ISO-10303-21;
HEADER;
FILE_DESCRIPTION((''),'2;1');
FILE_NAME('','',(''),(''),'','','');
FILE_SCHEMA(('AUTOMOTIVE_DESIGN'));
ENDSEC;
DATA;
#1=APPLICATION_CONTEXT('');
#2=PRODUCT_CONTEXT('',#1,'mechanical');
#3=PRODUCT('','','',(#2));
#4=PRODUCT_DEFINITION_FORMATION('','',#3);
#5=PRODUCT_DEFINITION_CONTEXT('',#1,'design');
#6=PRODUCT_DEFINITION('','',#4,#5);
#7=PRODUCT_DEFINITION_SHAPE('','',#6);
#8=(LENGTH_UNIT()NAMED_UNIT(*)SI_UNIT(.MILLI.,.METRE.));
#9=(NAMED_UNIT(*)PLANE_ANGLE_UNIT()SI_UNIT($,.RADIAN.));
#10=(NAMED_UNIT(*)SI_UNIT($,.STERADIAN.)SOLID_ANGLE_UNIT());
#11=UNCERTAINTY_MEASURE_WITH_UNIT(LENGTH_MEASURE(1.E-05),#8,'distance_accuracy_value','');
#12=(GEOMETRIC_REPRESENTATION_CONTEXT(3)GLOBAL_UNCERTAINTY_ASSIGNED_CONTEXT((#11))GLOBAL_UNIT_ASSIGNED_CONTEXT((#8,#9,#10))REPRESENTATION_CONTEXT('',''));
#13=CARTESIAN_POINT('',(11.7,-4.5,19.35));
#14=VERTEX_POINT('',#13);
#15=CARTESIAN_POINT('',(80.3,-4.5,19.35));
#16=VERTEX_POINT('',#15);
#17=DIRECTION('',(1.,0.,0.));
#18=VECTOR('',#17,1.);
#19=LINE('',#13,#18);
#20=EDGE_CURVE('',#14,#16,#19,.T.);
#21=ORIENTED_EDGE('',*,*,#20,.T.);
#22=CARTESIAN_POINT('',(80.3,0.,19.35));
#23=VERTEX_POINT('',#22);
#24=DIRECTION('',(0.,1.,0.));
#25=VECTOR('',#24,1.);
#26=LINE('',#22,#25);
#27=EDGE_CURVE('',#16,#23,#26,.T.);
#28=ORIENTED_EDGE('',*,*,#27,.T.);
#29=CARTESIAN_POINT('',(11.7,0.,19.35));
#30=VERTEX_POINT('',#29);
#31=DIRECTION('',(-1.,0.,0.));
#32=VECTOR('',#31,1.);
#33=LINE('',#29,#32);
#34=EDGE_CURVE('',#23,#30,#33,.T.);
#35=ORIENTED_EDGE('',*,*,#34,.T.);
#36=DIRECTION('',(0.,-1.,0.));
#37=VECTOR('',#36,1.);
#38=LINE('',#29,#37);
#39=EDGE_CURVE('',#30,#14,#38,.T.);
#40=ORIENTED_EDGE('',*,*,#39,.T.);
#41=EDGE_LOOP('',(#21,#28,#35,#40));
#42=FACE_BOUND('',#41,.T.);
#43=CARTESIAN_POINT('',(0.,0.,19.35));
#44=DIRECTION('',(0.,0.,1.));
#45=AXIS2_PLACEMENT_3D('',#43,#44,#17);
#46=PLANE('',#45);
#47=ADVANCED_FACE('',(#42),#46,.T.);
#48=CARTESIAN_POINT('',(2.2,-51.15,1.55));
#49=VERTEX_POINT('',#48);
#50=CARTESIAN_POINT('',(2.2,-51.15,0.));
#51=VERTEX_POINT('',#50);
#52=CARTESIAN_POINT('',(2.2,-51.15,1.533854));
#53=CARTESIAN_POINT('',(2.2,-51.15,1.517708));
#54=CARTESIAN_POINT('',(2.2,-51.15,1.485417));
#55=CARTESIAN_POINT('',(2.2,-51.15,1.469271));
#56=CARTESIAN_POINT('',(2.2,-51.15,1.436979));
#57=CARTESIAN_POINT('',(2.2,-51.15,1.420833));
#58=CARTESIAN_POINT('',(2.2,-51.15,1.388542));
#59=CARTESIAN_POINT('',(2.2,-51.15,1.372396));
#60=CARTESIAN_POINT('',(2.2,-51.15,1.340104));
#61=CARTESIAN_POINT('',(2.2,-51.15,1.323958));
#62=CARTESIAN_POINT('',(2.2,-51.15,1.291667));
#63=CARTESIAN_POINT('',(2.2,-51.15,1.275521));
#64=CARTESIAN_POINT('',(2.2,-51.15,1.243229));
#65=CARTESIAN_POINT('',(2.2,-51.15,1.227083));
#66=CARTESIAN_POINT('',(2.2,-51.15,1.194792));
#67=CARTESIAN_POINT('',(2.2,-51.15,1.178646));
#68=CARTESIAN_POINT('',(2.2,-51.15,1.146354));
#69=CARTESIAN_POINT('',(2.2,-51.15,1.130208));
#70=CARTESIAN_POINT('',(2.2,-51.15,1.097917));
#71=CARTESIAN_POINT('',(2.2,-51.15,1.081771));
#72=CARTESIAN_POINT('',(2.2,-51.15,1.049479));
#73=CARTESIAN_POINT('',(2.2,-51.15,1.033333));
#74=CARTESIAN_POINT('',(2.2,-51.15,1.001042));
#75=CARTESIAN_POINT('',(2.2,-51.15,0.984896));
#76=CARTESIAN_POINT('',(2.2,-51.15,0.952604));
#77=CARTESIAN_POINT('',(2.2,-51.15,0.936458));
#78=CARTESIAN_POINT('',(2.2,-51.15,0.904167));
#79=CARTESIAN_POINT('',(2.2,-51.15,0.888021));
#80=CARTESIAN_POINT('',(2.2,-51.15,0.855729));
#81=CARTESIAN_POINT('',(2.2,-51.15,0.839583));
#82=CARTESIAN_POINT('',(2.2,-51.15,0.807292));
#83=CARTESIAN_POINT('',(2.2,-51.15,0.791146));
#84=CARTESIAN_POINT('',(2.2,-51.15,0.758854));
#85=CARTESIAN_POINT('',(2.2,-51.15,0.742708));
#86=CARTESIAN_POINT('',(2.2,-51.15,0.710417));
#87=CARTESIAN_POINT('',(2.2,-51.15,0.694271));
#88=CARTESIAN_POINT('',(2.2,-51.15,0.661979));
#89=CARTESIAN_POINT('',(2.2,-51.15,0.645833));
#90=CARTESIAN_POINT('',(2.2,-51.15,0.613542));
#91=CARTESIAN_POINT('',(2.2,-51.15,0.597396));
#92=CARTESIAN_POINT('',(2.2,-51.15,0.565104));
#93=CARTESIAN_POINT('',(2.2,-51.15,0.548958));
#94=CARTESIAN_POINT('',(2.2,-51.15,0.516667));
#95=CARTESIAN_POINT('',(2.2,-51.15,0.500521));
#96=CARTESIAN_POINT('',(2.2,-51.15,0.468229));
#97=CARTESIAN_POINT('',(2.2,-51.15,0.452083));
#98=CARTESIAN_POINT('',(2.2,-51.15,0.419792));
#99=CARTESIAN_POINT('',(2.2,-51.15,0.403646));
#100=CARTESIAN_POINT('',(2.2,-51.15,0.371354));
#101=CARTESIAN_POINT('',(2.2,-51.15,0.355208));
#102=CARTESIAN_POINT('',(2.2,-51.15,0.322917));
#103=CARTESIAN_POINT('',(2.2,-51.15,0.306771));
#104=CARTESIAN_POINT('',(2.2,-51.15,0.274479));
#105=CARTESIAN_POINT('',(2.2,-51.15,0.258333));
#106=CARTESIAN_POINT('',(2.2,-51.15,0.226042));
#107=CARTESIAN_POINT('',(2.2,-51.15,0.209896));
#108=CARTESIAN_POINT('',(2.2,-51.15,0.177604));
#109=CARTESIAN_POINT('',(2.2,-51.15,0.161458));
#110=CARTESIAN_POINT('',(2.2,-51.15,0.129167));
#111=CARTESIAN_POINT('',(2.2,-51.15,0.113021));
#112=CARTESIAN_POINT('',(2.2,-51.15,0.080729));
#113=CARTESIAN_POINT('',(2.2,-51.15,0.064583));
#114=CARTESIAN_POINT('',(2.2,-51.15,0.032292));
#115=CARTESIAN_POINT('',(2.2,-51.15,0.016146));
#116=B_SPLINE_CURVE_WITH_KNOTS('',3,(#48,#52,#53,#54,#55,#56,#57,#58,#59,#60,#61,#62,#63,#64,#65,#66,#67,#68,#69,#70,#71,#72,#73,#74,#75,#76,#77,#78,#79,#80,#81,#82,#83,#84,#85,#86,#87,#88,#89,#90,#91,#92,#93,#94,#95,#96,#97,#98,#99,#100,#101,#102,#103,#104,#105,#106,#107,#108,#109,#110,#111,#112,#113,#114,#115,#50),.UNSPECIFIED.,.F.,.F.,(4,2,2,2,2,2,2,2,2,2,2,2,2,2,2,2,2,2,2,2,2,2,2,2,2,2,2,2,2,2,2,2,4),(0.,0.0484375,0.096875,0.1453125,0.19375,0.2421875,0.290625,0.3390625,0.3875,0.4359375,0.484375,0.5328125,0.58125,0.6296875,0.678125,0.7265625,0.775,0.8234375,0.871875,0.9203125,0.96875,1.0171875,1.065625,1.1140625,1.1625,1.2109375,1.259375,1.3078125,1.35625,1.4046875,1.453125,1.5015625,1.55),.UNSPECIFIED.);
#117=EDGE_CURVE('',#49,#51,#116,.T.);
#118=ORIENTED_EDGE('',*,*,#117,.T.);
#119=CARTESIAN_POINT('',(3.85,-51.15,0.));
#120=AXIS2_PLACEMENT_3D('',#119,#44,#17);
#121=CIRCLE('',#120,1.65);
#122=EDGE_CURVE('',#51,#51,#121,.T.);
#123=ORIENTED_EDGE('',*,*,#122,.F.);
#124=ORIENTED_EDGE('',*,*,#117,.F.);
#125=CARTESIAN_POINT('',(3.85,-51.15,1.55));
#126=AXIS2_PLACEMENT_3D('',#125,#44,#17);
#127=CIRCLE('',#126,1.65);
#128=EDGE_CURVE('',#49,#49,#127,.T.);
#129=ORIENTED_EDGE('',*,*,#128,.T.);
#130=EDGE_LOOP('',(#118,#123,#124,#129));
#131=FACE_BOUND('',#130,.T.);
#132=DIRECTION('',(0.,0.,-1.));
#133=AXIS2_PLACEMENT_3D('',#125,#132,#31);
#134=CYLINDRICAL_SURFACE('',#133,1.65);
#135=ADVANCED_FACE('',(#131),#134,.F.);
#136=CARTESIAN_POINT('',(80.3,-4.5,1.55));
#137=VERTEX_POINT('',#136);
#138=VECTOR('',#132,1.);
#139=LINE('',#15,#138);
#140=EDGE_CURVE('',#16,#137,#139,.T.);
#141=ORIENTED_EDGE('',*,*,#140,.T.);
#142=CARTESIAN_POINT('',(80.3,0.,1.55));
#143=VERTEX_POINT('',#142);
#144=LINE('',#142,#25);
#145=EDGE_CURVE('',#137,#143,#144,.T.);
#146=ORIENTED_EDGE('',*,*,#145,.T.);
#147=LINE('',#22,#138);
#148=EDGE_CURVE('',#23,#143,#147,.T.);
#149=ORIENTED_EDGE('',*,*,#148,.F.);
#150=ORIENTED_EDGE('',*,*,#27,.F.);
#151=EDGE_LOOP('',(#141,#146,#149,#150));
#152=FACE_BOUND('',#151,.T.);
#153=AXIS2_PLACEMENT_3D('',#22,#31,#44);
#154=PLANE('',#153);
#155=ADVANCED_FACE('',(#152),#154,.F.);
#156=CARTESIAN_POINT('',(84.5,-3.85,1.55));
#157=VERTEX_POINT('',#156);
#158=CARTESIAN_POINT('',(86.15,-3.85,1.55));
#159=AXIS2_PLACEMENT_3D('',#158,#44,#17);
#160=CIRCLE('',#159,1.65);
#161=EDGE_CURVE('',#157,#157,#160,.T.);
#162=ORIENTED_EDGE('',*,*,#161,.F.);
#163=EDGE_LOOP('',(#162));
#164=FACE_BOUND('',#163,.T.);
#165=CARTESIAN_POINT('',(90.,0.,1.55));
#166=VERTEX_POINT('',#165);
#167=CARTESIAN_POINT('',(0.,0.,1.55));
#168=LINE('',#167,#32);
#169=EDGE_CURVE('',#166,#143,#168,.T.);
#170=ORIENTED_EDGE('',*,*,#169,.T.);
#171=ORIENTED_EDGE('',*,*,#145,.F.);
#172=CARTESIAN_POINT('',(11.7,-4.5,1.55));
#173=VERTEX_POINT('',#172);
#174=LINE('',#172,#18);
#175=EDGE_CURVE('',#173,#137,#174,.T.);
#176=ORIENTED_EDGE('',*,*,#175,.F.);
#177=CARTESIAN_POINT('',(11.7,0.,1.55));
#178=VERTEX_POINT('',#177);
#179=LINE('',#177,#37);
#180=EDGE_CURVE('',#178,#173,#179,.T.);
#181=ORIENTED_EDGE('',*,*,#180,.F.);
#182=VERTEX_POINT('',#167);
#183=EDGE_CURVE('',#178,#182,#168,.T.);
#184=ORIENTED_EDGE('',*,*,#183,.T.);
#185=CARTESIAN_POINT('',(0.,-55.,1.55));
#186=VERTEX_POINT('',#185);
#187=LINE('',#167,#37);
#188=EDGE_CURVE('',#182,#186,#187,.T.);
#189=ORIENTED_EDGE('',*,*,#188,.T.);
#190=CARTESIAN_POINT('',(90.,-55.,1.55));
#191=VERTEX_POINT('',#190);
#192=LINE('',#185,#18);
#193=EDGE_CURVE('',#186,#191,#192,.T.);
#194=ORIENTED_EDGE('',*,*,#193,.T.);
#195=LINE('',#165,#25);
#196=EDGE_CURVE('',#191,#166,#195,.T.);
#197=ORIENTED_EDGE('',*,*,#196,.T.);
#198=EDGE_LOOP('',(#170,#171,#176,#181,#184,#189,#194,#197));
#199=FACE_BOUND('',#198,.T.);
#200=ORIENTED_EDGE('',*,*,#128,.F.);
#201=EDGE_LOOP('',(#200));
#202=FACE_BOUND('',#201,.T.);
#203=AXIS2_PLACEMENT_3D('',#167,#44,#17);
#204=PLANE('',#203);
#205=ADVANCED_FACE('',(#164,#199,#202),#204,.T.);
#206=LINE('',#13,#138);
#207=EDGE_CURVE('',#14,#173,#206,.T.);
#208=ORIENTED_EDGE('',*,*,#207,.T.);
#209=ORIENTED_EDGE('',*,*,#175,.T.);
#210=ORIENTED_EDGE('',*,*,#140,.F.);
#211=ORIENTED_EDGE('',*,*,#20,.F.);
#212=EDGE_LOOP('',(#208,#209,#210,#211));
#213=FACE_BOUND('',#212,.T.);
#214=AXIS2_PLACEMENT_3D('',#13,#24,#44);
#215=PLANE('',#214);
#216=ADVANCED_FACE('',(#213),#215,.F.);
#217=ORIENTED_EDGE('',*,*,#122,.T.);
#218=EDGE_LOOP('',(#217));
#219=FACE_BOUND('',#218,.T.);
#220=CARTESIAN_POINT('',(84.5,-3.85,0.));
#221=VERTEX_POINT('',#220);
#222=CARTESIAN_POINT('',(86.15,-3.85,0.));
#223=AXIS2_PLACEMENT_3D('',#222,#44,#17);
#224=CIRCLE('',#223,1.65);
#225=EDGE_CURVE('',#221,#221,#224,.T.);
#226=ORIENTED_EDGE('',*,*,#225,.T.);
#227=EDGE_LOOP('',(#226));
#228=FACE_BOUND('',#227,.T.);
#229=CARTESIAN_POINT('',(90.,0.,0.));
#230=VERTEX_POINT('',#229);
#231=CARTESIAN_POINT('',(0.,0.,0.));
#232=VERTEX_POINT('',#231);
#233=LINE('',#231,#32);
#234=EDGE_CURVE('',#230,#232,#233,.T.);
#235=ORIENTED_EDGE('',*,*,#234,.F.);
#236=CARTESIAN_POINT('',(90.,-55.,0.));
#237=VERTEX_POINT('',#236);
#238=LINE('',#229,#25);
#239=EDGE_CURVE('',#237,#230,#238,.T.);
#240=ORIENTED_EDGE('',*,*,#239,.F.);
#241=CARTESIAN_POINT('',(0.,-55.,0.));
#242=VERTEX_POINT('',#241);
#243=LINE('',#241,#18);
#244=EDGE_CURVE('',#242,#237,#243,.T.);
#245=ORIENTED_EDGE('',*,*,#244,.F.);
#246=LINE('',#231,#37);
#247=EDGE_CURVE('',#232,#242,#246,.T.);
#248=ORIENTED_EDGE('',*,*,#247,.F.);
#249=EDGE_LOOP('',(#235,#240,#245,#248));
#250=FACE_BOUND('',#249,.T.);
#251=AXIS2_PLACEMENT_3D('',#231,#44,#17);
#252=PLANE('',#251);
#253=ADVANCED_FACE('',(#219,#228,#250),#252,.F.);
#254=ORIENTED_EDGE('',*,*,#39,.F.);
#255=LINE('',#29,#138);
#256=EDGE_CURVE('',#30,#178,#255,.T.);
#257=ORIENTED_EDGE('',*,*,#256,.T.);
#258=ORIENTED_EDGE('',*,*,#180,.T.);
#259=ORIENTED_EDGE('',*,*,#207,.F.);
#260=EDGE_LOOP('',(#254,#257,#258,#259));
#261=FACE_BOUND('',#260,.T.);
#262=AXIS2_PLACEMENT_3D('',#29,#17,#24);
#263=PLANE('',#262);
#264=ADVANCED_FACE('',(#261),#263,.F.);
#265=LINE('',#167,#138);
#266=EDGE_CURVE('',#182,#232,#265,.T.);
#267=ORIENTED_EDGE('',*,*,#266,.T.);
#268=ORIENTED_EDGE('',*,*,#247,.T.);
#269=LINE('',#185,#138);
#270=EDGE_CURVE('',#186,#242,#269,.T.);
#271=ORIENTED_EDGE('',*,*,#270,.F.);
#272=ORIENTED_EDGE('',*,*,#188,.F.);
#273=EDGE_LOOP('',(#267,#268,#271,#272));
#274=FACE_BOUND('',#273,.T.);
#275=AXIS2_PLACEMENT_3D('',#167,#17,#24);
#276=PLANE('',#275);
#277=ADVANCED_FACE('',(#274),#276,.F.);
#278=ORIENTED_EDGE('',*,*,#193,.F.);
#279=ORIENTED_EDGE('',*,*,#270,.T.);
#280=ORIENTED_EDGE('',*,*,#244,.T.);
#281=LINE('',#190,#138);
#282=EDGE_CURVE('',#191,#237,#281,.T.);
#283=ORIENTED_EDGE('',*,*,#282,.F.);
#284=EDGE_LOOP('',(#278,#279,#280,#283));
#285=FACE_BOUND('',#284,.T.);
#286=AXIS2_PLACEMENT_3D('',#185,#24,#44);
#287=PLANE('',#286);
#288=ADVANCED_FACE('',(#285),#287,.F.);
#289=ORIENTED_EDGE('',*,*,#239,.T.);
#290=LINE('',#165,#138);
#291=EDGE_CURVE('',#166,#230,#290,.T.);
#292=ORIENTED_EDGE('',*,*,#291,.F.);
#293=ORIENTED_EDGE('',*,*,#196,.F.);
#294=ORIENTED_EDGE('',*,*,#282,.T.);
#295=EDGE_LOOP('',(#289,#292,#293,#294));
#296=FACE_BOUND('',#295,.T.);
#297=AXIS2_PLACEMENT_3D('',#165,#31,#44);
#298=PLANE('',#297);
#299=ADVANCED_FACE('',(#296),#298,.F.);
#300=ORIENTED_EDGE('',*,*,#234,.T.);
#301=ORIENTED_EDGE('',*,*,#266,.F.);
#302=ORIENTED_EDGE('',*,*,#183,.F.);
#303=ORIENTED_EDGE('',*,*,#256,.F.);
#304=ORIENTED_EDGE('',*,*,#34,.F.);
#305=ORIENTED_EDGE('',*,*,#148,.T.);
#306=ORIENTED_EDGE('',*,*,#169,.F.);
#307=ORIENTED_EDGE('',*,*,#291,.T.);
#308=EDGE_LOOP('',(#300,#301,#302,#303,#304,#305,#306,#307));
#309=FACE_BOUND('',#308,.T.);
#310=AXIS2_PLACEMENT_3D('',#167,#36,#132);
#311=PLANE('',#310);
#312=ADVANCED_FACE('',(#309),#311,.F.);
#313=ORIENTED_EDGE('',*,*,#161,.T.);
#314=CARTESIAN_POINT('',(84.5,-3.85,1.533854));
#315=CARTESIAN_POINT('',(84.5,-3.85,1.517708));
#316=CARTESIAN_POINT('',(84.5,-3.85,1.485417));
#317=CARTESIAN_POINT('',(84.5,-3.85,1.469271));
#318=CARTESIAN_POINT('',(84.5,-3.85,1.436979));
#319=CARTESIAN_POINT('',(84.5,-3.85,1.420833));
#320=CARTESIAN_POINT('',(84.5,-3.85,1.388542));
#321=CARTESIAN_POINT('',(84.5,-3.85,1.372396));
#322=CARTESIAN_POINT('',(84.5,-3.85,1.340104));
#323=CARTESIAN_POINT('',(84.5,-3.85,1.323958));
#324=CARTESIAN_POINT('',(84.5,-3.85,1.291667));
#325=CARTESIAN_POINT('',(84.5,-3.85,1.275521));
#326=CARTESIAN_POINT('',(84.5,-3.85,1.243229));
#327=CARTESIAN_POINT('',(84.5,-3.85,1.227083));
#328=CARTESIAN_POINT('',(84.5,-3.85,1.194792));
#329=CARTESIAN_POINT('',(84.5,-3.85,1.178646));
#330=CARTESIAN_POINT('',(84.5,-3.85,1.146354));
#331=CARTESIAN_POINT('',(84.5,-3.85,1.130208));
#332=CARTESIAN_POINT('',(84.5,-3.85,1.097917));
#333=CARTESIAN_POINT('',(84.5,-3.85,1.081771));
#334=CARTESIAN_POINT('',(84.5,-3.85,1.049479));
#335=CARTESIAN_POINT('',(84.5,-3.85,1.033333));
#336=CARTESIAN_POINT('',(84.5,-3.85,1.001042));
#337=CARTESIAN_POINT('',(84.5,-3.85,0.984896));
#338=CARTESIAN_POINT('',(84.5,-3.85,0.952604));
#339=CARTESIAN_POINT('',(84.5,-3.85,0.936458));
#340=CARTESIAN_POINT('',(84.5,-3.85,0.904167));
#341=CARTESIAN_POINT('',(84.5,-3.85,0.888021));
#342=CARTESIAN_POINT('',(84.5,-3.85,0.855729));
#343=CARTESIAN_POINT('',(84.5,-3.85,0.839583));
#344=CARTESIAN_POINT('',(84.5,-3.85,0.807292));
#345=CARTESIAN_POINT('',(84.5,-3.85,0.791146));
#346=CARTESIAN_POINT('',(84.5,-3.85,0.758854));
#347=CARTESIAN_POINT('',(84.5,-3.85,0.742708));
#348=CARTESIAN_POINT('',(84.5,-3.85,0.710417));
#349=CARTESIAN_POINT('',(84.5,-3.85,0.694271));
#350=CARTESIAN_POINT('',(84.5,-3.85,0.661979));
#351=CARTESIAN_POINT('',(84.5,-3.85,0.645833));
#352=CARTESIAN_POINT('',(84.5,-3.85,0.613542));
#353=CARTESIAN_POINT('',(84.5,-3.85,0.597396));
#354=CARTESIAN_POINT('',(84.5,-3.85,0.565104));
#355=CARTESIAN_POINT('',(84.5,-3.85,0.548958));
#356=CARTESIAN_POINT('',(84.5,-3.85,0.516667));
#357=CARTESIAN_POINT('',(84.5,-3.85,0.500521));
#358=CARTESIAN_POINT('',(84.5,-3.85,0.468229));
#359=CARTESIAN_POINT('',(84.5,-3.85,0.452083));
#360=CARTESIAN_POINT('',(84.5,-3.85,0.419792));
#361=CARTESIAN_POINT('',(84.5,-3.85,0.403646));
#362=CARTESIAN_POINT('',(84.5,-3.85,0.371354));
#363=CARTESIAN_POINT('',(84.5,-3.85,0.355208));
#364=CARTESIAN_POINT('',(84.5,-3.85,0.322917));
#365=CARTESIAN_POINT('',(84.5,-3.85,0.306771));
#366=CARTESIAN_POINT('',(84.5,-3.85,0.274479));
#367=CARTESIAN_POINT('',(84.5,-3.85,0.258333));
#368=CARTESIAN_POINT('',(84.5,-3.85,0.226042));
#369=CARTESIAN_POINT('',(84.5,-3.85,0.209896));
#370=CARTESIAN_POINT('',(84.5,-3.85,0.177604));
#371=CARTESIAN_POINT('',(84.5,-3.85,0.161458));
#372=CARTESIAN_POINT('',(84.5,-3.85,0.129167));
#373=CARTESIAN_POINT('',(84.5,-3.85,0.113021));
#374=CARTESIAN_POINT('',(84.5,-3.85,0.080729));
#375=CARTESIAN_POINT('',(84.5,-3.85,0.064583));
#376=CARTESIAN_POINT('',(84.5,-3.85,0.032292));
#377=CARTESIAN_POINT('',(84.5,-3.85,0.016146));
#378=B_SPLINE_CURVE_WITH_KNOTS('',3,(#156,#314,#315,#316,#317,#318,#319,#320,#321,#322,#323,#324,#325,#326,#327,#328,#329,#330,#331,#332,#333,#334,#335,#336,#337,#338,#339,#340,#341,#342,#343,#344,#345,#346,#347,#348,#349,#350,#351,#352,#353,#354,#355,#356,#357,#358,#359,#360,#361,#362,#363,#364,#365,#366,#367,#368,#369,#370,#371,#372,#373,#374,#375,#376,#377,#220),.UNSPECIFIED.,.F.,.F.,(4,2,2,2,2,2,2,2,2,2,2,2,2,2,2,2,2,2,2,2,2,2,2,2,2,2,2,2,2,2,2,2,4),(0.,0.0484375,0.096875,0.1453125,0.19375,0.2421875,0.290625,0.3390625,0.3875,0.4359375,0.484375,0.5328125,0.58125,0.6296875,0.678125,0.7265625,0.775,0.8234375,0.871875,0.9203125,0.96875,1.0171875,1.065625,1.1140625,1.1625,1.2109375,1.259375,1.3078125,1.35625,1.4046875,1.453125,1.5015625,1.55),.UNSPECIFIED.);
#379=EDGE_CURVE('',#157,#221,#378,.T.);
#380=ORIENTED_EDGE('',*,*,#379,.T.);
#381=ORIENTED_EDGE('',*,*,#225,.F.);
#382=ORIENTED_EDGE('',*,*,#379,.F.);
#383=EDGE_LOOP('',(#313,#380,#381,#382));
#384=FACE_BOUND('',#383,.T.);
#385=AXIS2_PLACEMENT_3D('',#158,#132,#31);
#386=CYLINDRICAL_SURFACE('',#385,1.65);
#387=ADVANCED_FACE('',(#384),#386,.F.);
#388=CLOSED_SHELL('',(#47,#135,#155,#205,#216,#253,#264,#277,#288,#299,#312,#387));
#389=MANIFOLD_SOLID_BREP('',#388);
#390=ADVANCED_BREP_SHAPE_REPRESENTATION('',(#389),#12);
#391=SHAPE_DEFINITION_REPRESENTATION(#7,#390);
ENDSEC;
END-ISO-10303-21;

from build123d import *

# Parameters (mm, degrees)
IZIM1_W                     = 90
IZIM1_H                     = 55
IZIM1_R                     = 1.65
Y_KSEKLIK_EKSTR_ZYON1_DEPTH = 1.55
IZIM2_W                     = 68.6
IZIM2_H                     = 4.5
Y_KSEKLIK_EKSTR_ZYON2_DEPTH = 17.8


with BuildPart() as part:
    # Çizim1 → Yükseklik-Ekstrüzyon1 (new body)
    with BuildSketch(Plane.XY):
        with Locations((45, -27.5)):
            Rectangle(IZIM1_W, IZIM1_H)
        with Locations(Location((86.15, -3.85, 0), (0, 0, 180))):
            Circle(IZIM1_R, mode=Mode.SUBTRACT)
        with Locations(Location((3.85, -51.15, 0), (0, 0, 180))):
            Circle(IZIM1_R, mode=Mode.SUBTRACT)
    extrude(amount=Y_KSEKLIK_EKSTR_ZYON1_DEPTH)

    # Çizim2 → Yükseklik-Ekstrüzyon2 (add)
    with BuildSketch(Plane.XY.offset(1.55)):
        with Locations((46, -2.25)):
            Rectangle(IZIM2_W, IZIM2_H)
    extrude(amount=Y_KSEKLIK_EKSTR_ZYON2_DEPTH)


solid = part.part
